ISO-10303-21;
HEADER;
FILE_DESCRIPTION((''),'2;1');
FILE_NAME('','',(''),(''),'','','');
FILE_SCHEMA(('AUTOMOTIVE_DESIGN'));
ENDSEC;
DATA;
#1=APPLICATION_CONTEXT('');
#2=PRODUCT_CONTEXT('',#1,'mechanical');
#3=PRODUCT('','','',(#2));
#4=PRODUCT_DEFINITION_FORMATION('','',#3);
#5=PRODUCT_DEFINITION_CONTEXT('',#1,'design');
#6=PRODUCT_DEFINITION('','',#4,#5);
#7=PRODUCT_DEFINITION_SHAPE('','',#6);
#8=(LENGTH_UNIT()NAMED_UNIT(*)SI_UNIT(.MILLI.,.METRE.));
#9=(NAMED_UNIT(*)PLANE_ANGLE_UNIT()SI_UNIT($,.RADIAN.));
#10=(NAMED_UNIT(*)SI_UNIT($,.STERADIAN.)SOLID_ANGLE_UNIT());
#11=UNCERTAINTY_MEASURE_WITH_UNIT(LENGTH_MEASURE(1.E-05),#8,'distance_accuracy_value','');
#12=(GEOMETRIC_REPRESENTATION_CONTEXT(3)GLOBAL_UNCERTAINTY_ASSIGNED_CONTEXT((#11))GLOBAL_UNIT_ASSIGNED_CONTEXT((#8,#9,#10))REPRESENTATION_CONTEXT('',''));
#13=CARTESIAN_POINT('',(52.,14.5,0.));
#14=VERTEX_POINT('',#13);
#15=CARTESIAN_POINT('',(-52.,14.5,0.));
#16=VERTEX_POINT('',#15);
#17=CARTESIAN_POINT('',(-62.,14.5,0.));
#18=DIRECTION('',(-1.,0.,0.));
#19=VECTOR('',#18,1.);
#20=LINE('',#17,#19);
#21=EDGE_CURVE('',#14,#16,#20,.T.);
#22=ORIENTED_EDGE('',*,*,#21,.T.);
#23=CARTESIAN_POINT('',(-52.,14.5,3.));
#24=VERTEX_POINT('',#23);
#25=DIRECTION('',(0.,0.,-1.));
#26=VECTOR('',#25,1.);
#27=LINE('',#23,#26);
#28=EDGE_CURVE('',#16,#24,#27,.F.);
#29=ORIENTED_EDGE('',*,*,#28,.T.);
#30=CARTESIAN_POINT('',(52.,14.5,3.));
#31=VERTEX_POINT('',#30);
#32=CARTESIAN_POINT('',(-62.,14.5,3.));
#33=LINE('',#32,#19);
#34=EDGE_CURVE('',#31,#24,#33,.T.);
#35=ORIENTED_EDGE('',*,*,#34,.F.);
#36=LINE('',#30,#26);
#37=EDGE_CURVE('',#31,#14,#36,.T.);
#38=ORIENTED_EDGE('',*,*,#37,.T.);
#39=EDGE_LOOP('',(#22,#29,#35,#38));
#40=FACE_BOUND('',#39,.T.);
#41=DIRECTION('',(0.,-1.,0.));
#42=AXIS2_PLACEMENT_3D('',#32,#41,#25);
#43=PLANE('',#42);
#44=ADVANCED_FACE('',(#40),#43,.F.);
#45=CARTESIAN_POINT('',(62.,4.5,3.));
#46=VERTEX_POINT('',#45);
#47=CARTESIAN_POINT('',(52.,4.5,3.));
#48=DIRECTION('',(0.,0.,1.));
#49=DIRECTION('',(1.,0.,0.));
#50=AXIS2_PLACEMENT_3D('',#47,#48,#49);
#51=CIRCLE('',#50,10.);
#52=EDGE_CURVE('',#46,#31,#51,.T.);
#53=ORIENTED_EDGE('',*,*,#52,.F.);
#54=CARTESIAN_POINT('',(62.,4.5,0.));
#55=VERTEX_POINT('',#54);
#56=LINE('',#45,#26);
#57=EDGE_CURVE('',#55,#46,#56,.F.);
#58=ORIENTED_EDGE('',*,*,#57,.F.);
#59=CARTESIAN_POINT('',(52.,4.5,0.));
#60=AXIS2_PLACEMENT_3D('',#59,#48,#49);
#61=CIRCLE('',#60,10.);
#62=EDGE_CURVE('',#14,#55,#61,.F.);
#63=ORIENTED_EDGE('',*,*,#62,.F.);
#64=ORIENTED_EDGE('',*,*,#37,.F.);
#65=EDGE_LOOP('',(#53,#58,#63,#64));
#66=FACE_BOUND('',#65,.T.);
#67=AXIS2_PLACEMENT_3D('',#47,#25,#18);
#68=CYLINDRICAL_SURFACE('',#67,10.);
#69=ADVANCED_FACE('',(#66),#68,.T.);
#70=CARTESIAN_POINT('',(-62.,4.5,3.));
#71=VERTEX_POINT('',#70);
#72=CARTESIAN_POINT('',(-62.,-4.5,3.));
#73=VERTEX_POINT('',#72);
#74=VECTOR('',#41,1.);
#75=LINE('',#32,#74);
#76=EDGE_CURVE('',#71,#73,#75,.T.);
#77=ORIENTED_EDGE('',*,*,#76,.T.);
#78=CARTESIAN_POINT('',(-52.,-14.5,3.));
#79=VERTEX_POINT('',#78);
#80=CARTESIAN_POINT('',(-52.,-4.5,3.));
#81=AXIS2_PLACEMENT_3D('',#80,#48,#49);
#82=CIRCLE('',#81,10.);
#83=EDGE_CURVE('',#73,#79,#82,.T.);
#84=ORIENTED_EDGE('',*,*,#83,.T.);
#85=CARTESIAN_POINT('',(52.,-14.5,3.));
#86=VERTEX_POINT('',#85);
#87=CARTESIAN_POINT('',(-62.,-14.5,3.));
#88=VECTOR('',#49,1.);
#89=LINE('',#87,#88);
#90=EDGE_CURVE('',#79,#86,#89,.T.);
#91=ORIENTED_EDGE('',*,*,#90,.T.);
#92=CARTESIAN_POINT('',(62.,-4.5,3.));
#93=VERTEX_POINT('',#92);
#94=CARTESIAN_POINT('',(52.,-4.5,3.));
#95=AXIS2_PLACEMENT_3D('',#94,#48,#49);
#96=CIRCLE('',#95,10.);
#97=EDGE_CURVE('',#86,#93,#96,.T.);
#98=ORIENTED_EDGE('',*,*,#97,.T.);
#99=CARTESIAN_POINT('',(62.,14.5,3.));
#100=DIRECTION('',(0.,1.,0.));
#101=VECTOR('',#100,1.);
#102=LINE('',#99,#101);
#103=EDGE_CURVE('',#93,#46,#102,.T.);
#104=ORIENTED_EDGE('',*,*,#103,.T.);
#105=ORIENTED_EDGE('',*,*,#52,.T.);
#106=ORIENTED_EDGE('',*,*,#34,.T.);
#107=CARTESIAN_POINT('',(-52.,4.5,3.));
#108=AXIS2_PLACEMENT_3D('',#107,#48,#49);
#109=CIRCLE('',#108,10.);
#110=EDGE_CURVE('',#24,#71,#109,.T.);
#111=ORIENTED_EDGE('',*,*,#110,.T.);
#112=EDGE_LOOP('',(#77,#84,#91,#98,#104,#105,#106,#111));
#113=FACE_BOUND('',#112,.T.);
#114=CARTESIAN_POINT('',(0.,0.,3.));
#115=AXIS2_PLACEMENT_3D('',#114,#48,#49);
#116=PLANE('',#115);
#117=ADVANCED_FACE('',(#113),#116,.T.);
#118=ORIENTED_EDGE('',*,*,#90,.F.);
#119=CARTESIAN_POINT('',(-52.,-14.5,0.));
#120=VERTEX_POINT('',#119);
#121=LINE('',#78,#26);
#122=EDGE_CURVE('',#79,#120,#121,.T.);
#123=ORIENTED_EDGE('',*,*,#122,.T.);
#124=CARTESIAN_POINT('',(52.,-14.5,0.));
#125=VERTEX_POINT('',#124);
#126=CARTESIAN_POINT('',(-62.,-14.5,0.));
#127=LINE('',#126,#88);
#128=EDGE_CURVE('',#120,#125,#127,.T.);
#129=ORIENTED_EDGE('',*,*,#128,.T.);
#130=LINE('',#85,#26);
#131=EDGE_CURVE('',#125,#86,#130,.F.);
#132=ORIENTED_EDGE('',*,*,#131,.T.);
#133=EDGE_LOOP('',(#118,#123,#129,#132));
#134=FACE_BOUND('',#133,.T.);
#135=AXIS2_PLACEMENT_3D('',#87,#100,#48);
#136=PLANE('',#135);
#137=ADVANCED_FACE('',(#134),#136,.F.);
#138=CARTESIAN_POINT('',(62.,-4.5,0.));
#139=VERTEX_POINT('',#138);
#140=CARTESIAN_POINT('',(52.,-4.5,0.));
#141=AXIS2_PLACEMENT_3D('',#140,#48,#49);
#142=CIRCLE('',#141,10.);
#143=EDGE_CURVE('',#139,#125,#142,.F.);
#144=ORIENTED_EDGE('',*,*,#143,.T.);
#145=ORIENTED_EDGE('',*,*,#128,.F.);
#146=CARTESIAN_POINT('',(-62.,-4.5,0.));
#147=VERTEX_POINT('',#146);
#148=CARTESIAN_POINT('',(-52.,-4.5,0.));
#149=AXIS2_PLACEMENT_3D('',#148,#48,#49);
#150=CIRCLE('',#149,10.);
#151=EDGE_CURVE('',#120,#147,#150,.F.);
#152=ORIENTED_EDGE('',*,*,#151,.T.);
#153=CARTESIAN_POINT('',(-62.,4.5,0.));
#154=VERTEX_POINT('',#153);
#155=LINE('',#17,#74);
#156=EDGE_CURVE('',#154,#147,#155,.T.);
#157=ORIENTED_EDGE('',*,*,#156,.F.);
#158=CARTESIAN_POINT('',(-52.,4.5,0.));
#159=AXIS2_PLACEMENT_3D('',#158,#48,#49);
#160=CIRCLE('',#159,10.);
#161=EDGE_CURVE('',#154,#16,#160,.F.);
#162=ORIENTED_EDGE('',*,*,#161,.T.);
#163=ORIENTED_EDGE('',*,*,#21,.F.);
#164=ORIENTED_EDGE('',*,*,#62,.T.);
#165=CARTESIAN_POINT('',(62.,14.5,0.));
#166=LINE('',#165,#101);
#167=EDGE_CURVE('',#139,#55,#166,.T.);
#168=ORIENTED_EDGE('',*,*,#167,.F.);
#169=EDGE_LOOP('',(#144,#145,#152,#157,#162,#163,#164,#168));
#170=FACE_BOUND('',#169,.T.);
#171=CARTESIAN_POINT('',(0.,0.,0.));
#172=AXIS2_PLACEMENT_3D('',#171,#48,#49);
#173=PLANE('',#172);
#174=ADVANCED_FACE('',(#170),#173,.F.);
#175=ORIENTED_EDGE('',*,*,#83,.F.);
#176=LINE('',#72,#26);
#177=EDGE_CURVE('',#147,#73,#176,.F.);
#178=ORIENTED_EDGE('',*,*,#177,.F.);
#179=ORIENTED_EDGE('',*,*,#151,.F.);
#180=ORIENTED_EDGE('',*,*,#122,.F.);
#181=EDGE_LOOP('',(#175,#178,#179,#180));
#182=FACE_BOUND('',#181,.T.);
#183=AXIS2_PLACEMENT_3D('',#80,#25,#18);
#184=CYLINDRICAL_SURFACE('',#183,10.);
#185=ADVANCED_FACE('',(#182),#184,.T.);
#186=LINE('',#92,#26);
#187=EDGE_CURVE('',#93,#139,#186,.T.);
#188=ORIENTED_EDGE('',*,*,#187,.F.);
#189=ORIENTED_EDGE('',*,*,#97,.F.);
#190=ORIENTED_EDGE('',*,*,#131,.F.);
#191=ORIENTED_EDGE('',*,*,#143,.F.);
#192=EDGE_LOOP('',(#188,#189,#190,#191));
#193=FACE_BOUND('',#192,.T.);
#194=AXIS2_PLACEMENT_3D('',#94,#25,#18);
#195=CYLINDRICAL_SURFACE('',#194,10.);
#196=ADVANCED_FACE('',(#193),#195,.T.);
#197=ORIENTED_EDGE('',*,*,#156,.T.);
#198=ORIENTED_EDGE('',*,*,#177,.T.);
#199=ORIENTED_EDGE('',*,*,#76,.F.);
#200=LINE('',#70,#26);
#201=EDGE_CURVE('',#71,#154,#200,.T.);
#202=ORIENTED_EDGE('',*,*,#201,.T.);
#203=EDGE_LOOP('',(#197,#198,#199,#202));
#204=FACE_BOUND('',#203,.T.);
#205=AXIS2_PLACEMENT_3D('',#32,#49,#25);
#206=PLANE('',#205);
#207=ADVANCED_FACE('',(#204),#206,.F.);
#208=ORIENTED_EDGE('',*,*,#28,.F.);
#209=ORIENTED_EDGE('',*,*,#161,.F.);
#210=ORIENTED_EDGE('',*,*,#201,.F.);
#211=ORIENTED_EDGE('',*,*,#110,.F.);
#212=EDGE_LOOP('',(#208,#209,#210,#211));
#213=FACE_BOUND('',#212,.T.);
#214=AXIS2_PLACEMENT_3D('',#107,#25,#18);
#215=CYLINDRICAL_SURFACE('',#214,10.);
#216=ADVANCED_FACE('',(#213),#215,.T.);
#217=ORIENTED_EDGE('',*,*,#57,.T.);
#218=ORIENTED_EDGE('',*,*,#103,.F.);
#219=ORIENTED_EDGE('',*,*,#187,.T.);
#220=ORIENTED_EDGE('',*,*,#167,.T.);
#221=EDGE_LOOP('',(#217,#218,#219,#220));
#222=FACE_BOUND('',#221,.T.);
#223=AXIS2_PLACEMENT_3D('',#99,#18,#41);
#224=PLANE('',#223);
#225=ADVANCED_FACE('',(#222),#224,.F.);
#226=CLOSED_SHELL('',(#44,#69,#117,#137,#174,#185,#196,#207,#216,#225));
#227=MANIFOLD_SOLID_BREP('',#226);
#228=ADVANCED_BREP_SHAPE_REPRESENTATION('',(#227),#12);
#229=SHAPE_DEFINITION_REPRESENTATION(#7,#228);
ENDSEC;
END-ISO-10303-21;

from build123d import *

# Parameters (mm, degrees)
CROQUIS1_W              = 124
CROQUIS1_H              = 29
SALIENTE_EXTRUIR1_DEPTH = 3
REDONDEO1_R             = 10


with BuildPart() as part:
    # Croquis1 → Saliente-Extruir1 (new body)
    with BuildSketch(Plane.XY):
        Rectangle(CROQUIS1_W, CROQUIS1_H)
    extrude(amount=SALIENTE_EXTRUIR1_DEPTH)

    # Redondeo1
    redondeo1_edges = [part.edges().sort_by_distance(p)[0] for p in [
        (-62, 14.5, 1.5),
        (62, 14.5, 1.5),
        (62, -14.5, 1.5),
        (-62, -14.5, 1.5),
    ]]
    fillet(redondeo1_edges, radius=REDONDEO1_R)


solid = part.part
